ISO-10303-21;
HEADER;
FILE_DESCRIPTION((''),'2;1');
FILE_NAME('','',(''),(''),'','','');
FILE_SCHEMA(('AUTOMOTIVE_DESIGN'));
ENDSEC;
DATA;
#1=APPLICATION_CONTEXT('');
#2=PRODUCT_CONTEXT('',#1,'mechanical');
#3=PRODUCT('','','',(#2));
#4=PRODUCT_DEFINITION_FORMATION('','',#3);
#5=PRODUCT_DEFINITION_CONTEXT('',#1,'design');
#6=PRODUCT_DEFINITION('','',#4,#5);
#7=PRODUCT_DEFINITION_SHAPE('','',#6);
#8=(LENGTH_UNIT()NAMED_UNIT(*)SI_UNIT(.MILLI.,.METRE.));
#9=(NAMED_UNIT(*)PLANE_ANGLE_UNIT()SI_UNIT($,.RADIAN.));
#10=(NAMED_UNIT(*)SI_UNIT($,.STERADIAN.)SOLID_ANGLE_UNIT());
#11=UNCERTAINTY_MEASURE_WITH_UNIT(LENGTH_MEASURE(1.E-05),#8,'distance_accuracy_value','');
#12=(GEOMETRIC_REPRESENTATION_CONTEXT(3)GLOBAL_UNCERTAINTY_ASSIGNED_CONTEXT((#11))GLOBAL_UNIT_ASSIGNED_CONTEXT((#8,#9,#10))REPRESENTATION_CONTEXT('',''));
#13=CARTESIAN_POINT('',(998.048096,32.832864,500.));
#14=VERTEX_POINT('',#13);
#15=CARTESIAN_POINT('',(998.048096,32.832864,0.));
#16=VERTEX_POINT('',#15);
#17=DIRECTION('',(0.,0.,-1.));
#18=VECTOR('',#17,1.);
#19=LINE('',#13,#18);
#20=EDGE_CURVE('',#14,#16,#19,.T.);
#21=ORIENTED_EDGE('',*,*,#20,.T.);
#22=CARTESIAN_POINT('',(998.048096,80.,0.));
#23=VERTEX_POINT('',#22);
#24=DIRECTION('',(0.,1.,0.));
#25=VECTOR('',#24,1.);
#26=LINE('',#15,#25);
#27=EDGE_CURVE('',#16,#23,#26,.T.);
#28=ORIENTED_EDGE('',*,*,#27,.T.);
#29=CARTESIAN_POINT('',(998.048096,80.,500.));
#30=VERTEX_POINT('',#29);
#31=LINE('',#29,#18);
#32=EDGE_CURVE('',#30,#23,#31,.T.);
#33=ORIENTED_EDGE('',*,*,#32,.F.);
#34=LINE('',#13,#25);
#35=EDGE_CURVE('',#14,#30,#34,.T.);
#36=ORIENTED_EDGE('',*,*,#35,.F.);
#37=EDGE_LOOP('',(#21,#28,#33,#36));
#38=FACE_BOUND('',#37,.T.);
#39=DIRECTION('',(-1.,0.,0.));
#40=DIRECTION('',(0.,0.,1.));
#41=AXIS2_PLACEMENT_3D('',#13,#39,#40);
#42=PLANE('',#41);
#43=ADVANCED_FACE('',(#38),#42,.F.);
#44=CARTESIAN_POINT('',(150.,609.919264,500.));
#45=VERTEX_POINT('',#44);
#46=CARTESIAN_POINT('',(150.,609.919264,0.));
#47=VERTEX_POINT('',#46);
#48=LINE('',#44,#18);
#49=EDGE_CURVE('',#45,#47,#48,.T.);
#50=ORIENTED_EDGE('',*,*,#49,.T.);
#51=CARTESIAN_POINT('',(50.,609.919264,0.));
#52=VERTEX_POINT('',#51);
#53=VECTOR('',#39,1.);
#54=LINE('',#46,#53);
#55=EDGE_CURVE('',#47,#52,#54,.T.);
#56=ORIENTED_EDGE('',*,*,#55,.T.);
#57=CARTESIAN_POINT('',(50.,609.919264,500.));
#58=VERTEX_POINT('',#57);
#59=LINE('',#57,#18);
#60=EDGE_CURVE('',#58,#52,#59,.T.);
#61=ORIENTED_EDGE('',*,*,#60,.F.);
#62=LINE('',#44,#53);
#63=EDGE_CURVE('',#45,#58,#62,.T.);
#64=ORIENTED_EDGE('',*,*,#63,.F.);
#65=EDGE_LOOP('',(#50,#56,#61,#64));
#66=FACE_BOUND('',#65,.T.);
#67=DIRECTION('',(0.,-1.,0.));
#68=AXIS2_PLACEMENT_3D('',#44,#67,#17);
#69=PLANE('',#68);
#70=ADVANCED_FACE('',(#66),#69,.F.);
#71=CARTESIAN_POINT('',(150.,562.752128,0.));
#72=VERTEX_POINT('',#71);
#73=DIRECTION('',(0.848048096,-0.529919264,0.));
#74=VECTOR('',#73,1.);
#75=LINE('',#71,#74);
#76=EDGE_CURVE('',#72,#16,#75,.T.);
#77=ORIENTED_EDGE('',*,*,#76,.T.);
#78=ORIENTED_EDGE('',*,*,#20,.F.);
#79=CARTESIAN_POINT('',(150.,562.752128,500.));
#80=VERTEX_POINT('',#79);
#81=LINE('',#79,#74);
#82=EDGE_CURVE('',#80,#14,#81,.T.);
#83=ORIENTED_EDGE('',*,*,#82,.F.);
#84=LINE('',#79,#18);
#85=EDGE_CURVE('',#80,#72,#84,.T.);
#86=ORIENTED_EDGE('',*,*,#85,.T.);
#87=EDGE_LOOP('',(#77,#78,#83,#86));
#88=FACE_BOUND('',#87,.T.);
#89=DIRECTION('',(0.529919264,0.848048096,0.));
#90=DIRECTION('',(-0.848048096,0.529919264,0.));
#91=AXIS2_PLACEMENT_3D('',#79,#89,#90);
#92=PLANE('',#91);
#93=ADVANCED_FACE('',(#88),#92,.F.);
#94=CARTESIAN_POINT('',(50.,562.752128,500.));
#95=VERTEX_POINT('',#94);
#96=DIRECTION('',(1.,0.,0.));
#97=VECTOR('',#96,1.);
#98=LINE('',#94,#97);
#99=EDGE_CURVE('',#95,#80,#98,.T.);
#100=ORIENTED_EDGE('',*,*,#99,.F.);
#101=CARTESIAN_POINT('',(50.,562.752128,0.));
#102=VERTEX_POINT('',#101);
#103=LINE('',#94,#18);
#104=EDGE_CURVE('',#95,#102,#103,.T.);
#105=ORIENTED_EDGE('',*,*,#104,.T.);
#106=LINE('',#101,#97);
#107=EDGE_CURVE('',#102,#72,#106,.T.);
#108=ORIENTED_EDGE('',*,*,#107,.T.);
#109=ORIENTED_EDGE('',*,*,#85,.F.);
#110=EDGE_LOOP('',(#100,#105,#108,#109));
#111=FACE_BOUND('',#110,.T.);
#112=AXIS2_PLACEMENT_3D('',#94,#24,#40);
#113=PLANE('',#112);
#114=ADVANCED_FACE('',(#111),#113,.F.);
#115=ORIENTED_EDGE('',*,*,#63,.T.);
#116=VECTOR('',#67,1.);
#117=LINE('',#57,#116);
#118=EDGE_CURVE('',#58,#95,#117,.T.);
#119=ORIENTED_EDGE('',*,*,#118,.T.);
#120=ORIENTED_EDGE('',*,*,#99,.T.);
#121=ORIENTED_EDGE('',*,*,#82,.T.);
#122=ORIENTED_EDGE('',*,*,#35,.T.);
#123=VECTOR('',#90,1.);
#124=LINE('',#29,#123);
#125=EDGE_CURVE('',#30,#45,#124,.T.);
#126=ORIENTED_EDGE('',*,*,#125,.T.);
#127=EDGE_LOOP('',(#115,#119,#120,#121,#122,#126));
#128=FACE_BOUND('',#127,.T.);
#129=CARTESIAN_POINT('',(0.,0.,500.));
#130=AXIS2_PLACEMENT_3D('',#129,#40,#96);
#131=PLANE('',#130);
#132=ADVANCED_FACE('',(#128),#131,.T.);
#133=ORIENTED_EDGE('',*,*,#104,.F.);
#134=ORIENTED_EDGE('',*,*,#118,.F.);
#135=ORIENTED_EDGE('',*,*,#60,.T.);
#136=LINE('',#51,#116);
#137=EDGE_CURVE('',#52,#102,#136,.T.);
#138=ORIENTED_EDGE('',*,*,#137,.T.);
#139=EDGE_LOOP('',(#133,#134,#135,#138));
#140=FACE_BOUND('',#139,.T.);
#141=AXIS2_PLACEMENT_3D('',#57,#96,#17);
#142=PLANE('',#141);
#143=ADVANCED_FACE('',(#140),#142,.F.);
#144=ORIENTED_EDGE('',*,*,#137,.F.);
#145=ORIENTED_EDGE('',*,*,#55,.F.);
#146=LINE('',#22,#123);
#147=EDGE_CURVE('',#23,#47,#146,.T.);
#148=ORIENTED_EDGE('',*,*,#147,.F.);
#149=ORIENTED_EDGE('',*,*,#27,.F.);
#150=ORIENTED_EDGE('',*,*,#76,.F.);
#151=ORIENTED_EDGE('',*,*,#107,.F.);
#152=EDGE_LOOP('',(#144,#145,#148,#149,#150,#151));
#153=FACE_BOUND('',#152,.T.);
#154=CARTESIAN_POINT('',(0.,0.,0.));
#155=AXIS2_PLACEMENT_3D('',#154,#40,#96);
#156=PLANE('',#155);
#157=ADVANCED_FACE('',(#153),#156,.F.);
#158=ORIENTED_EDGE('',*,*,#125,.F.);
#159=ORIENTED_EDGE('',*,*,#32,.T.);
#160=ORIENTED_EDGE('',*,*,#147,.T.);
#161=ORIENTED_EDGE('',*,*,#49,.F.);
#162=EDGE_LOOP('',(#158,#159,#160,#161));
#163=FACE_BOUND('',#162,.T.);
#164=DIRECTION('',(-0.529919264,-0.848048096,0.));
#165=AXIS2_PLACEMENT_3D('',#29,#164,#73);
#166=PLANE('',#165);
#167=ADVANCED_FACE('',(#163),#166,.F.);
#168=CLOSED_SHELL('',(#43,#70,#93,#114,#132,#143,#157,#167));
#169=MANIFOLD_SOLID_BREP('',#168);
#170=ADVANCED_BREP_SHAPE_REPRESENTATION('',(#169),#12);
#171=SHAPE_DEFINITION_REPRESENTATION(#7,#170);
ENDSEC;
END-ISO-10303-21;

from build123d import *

# Parameters (mm, degrees)
COMPACTED_LOW_PERMEABILITY_BED_NORMAL_40_DEPTH = 500


with BuildPart() as part:
    # 草图1 → Compacted_low_permeability_bed_normal_40 (new body)
    with BuildSketch(Plane.XY):
        Polygon((50, 562.752128099), (150, 562.752128099), (998.048096156, 32.832863866), (998.048096156, 80), (150, 609.919264233), (50, 609.919264233), align=None)
    extrude(amount=COMPACTED_LOW_PERMEABILITY_BED_NORMAL_40_DEPTH)


solid = part.part
